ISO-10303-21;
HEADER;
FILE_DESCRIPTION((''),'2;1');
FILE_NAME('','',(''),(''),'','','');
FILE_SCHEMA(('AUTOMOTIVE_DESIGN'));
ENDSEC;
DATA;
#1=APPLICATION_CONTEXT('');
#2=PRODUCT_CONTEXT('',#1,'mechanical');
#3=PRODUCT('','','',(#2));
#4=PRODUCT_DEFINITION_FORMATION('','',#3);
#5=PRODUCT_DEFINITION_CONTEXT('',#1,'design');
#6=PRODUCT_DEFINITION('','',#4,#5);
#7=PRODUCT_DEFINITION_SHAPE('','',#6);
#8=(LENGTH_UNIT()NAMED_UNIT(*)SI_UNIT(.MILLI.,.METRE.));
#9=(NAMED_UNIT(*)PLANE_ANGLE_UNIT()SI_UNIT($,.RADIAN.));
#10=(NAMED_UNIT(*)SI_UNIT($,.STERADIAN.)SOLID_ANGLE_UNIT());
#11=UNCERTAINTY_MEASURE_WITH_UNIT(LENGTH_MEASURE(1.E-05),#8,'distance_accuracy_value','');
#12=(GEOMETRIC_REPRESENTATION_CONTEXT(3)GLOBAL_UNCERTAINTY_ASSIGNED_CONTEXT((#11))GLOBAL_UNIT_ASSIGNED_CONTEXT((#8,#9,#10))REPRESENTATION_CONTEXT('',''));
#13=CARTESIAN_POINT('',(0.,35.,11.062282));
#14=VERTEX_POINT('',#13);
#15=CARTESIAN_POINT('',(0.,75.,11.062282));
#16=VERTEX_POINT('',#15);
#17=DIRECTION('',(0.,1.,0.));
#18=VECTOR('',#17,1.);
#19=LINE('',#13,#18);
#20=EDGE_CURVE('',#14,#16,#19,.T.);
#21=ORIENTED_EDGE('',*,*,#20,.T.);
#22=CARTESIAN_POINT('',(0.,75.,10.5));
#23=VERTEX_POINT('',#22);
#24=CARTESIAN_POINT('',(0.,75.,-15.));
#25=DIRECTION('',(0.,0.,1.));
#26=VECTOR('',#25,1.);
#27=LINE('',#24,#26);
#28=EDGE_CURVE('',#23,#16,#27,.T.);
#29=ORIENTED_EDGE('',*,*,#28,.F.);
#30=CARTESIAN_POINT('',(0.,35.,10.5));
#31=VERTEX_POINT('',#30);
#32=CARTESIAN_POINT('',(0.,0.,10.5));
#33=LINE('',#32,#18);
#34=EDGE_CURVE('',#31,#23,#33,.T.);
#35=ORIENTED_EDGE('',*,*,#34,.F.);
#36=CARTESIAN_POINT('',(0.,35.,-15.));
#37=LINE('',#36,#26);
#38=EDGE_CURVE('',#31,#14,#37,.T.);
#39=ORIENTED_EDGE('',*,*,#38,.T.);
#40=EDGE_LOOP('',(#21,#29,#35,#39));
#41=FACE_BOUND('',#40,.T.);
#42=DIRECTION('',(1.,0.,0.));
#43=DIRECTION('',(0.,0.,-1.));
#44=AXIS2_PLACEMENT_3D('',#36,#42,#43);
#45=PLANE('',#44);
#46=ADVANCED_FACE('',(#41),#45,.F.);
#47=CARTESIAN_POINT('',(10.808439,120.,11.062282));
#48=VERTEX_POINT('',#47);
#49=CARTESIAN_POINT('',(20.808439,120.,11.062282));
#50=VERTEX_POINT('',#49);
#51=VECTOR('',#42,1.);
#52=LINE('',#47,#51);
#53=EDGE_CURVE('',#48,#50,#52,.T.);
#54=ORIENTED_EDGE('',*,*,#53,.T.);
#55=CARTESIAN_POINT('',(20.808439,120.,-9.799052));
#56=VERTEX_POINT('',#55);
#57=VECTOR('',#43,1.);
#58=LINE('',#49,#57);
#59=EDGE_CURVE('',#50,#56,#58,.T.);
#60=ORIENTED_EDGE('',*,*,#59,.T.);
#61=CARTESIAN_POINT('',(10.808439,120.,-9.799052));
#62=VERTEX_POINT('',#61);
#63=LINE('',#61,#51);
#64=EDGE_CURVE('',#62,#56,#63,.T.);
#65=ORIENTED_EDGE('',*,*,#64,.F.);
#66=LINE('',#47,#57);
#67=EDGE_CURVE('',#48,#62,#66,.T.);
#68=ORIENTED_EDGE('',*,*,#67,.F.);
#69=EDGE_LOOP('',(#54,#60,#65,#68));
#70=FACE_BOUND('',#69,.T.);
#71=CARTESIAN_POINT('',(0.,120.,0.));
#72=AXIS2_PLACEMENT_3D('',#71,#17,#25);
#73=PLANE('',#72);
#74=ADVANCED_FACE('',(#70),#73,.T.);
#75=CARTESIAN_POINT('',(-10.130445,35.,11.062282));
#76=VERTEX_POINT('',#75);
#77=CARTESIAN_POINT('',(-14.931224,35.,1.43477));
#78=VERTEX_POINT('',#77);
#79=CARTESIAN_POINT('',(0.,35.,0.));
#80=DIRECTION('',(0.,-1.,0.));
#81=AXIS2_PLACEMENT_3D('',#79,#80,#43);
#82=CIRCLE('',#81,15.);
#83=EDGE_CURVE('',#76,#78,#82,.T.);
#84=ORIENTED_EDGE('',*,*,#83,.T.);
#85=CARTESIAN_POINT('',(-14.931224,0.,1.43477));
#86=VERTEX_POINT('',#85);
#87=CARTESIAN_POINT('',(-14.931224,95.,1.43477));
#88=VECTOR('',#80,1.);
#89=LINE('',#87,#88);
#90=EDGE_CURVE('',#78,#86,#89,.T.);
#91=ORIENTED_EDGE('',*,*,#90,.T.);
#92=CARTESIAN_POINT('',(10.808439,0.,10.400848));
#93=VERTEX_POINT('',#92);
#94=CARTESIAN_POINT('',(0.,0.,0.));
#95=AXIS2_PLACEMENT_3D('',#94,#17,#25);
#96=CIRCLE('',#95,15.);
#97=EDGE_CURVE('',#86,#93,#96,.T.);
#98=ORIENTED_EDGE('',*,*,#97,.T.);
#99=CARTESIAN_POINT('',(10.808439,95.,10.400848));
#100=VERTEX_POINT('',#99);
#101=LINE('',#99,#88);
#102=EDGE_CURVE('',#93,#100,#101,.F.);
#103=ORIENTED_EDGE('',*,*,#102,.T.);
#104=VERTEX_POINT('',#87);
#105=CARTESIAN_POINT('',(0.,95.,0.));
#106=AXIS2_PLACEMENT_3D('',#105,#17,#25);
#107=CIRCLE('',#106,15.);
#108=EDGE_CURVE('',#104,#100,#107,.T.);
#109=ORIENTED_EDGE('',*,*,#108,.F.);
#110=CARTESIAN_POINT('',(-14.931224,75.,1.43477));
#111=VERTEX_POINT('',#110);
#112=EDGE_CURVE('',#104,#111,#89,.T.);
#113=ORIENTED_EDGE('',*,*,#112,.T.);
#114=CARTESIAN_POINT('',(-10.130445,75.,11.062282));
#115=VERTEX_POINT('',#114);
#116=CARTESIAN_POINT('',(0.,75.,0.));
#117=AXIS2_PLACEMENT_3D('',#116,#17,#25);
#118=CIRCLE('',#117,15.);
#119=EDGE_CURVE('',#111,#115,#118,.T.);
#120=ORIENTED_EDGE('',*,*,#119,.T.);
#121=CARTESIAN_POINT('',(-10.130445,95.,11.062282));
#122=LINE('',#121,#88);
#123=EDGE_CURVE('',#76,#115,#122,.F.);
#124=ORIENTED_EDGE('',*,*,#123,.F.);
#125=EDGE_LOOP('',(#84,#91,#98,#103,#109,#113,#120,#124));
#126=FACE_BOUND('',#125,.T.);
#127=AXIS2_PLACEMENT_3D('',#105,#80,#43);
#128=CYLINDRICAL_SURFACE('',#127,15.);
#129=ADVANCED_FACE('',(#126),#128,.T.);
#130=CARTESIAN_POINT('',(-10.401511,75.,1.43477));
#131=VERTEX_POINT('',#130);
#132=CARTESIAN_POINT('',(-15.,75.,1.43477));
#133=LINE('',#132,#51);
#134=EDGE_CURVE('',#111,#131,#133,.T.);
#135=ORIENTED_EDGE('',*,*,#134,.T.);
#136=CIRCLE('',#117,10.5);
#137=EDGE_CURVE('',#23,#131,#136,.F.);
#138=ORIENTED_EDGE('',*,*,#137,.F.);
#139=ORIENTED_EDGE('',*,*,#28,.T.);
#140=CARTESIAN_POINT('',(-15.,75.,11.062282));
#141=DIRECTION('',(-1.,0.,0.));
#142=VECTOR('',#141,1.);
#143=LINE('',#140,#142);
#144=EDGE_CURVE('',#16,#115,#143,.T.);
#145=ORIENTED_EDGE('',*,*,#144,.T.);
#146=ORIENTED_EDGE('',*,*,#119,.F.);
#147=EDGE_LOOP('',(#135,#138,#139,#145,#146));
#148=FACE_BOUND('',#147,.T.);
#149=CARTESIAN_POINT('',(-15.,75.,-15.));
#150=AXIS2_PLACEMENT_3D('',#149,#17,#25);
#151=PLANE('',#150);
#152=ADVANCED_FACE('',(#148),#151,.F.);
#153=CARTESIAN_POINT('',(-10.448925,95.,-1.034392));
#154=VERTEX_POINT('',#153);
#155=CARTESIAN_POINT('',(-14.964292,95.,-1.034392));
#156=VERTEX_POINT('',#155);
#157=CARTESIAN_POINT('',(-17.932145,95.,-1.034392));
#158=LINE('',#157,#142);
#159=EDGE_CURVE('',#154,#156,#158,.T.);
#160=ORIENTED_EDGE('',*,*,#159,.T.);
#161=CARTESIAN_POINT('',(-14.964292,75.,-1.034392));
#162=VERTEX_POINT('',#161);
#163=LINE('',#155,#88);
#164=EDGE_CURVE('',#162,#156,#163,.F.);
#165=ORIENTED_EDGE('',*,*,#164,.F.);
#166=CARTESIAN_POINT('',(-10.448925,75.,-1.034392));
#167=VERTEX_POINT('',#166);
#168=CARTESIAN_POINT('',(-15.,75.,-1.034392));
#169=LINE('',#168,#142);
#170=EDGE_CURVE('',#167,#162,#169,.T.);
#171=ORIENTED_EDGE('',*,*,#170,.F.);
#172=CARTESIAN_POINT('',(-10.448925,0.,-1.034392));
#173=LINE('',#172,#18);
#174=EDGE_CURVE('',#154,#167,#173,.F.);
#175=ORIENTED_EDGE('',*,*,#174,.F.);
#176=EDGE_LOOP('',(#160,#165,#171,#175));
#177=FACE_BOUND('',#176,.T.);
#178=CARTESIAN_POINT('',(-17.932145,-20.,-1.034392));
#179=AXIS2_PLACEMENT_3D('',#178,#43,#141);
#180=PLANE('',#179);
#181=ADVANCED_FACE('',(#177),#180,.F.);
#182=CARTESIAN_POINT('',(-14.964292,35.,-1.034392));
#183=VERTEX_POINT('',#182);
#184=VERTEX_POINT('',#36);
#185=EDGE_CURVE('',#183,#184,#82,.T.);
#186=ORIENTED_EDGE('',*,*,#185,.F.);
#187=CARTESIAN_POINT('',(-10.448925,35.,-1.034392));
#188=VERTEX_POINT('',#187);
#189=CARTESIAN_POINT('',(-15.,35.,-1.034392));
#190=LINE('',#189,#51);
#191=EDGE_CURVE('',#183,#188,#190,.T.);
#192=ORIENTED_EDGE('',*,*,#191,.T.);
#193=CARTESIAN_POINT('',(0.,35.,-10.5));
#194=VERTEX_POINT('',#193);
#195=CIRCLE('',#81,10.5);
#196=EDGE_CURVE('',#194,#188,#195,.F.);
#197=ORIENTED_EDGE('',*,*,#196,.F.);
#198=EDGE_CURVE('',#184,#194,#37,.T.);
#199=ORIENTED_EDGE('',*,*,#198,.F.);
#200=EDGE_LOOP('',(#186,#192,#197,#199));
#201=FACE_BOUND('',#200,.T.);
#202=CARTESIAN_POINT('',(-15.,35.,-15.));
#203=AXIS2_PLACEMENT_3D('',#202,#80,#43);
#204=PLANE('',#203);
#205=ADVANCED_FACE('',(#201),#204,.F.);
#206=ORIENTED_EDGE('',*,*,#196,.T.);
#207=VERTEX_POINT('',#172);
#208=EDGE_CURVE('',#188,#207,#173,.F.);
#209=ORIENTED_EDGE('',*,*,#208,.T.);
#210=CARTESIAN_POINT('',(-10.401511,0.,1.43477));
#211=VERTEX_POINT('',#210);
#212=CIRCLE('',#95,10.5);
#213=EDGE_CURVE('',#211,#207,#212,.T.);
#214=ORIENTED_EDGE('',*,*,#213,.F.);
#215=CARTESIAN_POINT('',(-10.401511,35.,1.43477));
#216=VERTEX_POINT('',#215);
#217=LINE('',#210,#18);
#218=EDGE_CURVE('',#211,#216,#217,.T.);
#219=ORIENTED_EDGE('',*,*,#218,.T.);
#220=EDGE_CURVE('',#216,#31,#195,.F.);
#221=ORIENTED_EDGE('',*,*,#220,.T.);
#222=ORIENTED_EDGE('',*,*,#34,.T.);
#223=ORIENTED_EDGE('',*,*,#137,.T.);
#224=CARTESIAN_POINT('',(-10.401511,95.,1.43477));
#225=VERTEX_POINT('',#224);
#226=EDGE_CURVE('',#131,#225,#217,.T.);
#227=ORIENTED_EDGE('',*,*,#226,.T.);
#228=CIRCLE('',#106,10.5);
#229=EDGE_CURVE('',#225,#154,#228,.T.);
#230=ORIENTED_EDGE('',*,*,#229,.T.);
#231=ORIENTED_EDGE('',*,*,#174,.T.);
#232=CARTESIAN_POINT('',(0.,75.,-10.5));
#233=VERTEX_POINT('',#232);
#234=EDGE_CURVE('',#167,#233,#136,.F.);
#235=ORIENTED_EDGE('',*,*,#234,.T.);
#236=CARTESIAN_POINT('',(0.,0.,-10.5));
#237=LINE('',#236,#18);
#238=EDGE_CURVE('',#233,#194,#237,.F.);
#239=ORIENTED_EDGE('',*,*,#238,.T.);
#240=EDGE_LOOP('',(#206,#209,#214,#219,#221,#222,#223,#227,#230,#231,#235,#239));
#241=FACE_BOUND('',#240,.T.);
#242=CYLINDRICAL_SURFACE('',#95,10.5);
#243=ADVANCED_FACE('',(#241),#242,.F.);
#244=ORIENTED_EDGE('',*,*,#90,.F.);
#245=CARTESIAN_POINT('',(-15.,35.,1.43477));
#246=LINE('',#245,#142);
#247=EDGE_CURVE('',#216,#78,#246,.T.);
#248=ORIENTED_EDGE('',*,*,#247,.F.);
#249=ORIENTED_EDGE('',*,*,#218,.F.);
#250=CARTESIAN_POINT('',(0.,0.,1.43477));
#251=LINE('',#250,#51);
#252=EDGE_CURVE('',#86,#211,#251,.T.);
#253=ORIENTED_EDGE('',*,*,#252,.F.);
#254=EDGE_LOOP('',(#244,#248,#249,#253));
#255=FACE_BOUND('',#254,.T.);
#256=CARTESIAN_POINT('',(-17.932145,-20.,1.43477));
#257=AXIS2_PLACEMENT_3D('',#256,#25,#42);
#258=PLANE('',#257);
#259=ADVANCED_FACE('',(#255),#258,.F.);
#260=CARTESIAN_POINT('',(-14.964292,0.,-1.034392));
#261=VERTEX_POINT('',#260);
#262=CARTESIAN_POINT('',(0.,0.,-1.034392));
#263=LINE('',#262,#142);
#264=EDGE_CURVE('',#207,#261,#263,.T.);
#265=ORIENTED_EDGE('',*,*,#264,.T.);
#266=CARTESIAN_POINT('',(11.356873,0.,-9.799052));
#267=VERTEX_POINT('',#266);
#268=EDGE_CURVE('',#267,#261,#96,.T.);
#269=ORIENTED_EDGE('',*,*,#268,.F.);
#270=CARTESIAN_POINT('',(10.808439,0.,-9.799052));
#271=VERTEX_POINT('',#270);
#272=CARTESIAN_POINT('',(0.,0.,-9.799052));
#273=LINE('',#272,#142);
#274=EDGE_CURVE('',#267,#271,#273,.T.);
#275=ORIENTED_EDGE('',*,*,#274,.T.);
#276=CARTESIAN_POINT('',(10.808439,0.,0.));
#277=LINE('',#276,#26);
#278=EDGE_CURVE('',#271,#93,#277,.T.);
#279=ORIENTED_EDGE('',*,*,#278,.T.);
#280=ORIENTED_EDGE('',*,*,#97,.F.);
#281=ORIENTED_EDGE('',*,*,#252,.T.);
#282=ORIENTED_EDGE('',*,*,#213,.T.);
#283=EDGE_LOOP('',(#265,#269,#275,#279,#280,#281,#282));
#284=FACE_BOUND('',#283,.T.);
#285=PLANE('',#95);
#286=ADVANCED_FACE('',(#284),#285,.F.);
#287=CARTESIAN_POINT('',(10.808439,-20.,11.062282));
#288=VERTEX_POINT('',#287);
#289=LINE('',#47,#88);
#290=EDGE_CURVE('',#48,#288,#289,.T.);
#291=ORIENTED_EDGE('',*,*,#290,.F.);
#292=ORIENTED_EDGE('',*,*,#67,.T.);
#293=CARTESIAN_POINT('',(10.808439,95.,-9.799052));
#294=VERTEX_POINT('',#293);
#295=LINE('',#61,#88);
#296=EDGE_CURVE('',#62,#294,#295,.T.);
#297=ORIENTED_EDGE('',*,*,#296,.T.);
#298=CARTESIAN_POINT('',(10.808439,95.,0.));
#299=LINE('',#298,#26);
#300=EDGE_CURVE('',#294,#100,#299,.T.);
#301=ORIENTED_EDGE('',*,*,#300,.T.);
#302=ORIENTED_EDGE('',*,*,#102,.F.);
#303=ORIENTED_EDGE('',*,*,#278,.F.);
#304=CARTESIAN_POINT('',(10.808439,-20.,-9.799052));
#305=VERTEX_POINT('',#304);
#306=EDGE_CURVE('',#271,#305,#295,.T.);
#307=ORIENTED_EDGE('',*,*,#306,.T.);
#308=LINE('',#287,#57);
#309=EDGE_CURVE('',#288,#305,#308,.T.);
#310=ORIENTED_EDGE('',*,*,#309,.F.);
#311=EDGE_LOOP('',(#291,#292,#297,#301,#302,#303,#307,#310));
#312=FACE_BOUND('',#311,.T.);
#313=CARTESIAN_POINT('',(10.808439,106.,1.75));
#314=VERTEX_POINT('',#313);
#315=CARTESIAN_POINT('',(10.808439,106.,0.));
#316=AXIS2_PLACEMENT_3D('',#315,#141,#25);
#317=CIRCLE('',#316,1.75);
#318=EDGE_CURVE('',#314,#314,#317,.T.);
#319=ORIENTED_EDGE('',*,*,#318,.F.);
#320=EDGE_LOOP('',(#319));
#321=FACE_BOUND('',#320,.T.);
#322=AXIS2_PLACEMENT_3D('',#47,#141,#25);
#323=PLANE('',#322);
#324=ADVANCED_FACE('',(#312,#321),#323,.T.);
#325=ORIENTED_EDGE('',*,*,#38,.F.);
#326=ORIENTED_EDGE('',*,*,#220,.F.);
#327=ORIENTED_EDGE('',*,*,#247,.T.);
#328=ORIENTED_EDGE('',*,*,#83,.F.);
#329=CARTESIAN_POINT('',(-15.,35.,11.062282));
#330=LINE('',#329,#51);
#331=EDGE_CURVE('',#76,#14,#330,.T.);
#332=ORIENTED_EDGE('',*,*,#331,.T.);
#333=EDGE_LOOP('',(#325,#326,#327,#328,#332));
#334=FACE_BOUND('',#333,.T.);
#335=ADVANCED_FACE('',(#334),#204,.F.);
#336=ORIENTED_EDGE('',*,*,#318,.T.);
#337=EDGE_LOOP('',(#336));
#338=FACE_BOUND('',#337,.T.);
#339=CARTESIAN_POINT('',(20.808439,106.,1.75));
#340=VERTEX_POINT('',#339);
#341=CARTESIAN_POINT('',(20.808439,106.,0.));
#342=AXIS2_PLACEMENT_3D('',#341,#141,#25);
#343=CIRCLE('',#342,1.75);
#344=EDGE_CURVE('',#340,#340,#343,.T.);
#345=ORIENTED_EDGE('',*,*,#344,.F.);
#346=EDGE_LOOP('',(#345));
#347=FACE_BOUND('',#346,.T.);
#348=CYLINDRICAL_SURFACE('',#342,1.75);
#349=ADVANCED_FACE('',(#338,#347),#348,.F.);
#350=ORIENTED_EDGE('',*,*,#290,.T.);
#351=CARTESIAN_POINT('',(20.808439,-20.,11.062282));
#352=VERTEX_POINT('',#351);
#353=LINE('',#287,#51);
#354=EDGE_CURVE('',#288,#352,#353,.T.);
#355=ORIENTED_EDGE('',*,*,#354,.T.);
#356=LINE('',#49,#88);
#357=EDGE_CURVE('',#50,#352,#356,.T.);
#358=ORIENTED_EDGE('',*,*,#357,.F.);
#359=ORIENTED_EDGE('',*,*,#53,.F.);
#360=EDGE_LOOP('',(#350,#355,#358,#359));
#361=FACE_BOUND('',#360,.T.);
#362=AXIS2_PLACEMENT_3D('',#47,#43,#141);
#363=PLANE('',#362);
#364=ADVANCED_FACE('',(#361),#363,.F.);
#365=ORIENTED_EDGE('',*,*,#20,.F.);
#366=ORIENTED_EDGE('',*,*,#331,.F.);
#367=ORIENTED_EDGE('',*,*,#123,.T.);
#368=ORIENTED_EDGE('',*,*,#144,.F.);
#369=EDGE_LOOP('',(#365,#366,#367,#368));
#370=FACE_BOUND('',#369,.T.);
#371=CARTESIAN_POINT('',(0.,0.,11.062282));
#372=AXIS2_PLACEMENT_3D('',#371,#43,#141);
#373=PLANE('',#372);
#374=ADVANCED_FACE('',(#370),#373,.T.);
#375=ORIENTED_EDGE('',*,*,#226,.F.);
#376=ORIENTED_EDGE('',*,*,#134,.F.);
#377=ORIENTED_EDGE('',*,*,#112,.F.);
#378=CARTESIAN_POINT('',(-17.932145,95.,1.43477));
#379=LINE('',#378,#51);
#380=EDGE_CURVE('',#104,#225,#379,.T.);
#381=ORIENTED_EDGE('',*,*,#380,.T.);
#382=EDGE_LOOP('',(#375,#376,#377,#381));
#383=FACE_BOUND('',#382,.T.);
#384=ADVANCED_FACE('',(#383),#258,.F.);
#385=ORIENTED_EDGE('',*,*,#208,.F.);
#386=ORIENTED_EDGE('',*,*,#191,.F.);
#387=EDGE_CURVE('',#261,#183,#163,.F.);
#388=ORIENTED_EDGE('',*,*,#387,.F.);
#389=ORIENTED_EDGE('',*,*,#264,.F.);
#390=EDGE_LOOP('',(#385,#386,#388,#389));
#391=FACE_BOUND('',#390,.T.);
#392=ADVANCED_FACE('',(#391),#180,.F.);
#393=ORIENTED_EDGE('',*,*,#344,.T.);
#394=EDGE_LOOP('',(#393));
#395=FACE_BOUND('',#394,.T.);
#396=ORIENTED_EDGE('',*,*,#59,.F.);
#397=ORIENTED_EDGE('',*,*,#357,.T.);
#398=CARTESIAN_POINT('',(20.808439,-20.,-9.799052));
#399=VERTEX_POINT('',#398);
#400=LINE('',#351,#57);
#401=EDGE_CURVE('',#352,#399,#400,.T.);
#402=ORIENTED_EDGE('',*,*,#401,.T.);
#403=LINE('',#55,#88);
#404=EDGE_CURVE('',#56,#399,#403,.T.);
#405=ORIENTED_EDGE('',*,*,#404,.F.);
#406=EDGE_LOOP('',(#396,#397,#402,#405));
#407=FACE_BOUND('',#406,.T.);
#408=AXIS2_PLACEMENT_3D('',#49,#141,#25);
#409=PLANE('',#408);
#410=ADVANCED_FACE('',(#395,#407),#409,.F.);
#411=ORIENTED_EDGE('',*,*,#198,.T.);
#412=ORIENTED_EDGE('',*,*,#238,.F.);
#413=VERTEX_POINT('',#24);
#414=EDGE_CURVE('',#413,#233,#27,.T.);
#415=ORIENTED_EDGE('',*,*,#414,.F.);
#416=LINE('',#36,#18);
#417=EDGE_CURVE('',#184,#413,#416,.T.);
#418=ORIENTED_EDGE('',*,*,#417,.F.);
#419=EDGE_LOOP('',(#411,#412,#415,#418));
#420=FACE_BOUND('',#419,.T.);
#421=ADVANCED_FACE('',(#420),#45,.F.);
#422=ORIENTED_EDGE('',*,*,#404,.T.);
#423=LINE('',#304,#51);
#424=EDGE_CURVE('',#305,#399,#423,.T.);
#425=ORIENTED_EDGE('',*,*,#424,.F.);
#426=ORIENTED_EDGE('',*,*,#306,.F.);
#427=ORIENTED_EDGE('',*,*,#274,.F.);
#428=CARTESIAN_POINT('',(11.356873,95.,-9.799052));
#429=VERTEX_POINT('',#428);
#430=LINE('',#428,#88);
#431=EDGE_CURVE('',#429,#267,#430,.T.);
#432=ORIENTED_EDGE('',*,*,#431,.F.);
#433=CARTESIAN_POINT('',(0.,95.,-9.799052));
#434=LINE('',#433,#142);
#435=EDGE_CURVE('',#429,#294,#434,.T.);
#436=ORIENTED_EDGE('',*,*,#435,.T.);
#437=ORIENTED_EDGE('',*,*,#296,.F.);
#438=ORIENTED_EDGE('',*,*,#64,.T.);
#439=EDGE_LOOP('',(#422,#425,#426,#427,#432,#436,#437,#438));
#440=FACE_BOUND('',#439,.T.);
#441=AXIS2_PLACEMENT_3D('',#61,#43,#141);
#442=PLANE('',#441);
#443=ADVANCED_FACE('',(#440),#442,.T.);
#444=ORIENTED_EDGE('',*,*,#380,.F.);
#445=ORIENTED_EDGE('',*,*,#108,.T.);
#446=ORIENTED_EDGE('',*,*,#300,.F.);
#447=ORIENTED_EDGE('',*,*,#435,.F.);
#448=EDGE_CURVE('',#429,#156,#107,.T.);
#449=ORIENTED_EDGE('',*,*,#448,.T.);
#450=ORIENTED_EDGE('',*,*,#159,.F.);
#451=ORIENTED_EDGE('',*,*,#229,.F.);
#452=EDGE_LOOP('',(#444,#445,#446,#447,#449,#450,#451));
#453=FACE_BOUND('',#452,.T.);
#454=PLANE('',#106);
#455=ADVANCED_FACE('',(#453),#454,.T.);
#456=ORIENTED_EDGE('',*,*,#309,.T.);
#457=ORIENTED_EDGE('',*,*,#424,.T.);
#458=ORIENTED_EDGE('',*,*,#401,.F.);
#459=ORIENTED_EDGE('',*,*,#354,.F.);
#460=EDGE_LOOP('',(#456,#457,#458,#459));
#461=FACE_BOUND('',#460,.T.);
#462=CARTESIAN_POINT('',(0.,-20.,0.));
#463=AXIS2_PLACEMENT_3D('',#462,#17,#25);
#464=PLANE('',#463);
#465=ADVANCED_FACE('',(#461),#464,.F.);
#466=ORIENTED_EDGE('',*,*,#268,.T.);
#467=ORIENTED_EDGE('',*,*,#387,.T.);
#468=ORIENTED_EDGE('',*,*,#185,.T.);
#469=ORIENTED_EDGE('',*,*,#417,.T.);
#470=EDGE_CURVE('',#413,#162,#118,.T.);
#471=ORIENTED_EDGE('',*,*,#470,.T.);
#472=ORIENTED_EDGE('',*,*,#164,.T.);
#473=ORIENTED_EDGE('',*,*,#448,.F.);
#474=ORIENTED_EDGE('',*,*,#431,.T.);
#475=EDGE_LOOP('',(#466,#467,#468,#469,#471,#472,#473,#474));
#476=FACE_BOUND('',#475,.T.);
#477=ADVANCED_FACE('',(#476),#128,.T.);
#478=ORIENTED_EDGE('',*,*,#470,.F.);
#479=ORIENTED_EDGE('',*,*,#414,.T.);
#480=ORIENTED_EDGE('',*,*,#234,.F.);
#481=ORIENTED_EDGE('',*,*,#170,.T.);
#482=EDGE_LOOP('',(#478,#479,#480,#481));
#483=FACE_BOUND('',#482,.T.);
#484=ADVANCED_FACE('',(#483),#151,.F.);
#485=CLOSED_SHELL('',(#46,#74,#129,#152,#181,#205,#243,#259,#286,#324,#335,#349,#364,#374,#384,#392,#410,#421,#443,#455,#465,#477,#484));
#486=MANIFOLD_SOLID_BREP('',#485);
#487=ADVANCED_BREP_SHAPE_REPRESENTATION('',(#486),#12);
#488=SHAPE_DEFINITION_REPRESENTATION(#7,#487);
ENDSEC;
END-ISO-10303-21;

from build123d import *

# Parameters (mm, degrees)
SKETCH_1_R           = 15
EXTRUDE_1_DEPTH      = 95
SKETCH_2_R           = 10.5
CUT_EXTRUDE_1_DEPTH  = 95
EXTRUDE_2_DEPTH      = 20
EXTRUDE_2_DEPTH_BACK = 120
SKETCH_3_W           = 10
SKETCH_3_H           = 20.861334049
SKETCH_7_W           = 15
SKETCH_7_H           = 40
CUT_EXTRUDE_3_DEPTH  = 125.54811794
SKETCH_8_W           = 8.046060948
SKETCH_8_H           = 2.469161561
CUT_EXTRUDE_4_DEPTH  = 118.826105551
SKETCH_10_R          = 1.75
CUT_EXTRUDE_5_DEPTH  = 124.649640842


with BuildPart() as part:
    # 草图1 → 凸台-拉伸1 (new body)
    with BuildSketch(Plane(origin=(0, 0, 0), x_dir=(1, 0, 0), z_dir=(0, 1, 0))):
        with Locations(Location((0, 0, 0), (0, 0, 270))):
            Circle(SKETCH_1_R)
    extrude(amount=EXTRUDE_1_DEPTH)

    # 草图2 → 切除-拉伸1 (cut)
    with BuildSketch(Plane(origin=(0, 95, 0), x_dir=(1, 0, 0), z_dir=(0, 1, 0))):
        with Locations(Location((0, 0, 0), (0, 0, 270))):
            Circle(SKETCH_2_R)
    extrude(amount=-CUT_EXTRUDE_1_DEPTH, mode=Mode.SUBTRACT)

    # 草图3 → 凸台-拉伸2 (add, two sides: drawn at the far end of the back side and taken through both)
    with BuildSketch(Plane(origin=(0, 0, 0), x_dir=(-1, 0, 0), z_dir=(0, -1, 0)).offset(-EXTRUDE_2_DEPTH_BACK)):
        with Locations((-15.808439379, -0.631614786)):
            Rectangle(SKETCH_3_W, SKETCH_3_H)
    extrude(amount=EXTRUDE_2_DEPTH + EXTRUDE_2_DEPTH_BACK)

    # 草图7 → 切除-拉伸3 (cut, through all)
    with BuildSketch(Plane.XY.offset(11.06228181)):
        with Locations((-7.5, 55)):
            Rectangle(SKETCH_7_W, SKETCH_7_H)
    extrude(amount=-CUT_EXTRUDE_3_DEPTH, mode=Mode.SUBTRACT)

    # 草图8 → 切除-拉伸4 (cut, through all)
    with BuildSketch(Plane(origin=(0, 95, 0), x_dir=(1, 0, 0), z_dir=(0, 1, 0))):
        with Locations((-13.909114393, -0.200189033)):
            Rectangle(SKETCH_8_W, SKETCH_8_H)
    extrude(amount=-CUT_EXTRUDE_4_DEPTH, mode=Mode.SUBTRACT)

    # 草图10 → 切除-拉伸5 (cut, through all)
    with BuildSketch(Plane.ZY.offset(-10.808439379)):
        with Locations((0, 106)):
            Circle(SKETCH_10_R)
    extrude(amount=-CUT_EXTRUDE_5_DEPTH, mode=Mode.SUBTRACT)


solid = part.part
